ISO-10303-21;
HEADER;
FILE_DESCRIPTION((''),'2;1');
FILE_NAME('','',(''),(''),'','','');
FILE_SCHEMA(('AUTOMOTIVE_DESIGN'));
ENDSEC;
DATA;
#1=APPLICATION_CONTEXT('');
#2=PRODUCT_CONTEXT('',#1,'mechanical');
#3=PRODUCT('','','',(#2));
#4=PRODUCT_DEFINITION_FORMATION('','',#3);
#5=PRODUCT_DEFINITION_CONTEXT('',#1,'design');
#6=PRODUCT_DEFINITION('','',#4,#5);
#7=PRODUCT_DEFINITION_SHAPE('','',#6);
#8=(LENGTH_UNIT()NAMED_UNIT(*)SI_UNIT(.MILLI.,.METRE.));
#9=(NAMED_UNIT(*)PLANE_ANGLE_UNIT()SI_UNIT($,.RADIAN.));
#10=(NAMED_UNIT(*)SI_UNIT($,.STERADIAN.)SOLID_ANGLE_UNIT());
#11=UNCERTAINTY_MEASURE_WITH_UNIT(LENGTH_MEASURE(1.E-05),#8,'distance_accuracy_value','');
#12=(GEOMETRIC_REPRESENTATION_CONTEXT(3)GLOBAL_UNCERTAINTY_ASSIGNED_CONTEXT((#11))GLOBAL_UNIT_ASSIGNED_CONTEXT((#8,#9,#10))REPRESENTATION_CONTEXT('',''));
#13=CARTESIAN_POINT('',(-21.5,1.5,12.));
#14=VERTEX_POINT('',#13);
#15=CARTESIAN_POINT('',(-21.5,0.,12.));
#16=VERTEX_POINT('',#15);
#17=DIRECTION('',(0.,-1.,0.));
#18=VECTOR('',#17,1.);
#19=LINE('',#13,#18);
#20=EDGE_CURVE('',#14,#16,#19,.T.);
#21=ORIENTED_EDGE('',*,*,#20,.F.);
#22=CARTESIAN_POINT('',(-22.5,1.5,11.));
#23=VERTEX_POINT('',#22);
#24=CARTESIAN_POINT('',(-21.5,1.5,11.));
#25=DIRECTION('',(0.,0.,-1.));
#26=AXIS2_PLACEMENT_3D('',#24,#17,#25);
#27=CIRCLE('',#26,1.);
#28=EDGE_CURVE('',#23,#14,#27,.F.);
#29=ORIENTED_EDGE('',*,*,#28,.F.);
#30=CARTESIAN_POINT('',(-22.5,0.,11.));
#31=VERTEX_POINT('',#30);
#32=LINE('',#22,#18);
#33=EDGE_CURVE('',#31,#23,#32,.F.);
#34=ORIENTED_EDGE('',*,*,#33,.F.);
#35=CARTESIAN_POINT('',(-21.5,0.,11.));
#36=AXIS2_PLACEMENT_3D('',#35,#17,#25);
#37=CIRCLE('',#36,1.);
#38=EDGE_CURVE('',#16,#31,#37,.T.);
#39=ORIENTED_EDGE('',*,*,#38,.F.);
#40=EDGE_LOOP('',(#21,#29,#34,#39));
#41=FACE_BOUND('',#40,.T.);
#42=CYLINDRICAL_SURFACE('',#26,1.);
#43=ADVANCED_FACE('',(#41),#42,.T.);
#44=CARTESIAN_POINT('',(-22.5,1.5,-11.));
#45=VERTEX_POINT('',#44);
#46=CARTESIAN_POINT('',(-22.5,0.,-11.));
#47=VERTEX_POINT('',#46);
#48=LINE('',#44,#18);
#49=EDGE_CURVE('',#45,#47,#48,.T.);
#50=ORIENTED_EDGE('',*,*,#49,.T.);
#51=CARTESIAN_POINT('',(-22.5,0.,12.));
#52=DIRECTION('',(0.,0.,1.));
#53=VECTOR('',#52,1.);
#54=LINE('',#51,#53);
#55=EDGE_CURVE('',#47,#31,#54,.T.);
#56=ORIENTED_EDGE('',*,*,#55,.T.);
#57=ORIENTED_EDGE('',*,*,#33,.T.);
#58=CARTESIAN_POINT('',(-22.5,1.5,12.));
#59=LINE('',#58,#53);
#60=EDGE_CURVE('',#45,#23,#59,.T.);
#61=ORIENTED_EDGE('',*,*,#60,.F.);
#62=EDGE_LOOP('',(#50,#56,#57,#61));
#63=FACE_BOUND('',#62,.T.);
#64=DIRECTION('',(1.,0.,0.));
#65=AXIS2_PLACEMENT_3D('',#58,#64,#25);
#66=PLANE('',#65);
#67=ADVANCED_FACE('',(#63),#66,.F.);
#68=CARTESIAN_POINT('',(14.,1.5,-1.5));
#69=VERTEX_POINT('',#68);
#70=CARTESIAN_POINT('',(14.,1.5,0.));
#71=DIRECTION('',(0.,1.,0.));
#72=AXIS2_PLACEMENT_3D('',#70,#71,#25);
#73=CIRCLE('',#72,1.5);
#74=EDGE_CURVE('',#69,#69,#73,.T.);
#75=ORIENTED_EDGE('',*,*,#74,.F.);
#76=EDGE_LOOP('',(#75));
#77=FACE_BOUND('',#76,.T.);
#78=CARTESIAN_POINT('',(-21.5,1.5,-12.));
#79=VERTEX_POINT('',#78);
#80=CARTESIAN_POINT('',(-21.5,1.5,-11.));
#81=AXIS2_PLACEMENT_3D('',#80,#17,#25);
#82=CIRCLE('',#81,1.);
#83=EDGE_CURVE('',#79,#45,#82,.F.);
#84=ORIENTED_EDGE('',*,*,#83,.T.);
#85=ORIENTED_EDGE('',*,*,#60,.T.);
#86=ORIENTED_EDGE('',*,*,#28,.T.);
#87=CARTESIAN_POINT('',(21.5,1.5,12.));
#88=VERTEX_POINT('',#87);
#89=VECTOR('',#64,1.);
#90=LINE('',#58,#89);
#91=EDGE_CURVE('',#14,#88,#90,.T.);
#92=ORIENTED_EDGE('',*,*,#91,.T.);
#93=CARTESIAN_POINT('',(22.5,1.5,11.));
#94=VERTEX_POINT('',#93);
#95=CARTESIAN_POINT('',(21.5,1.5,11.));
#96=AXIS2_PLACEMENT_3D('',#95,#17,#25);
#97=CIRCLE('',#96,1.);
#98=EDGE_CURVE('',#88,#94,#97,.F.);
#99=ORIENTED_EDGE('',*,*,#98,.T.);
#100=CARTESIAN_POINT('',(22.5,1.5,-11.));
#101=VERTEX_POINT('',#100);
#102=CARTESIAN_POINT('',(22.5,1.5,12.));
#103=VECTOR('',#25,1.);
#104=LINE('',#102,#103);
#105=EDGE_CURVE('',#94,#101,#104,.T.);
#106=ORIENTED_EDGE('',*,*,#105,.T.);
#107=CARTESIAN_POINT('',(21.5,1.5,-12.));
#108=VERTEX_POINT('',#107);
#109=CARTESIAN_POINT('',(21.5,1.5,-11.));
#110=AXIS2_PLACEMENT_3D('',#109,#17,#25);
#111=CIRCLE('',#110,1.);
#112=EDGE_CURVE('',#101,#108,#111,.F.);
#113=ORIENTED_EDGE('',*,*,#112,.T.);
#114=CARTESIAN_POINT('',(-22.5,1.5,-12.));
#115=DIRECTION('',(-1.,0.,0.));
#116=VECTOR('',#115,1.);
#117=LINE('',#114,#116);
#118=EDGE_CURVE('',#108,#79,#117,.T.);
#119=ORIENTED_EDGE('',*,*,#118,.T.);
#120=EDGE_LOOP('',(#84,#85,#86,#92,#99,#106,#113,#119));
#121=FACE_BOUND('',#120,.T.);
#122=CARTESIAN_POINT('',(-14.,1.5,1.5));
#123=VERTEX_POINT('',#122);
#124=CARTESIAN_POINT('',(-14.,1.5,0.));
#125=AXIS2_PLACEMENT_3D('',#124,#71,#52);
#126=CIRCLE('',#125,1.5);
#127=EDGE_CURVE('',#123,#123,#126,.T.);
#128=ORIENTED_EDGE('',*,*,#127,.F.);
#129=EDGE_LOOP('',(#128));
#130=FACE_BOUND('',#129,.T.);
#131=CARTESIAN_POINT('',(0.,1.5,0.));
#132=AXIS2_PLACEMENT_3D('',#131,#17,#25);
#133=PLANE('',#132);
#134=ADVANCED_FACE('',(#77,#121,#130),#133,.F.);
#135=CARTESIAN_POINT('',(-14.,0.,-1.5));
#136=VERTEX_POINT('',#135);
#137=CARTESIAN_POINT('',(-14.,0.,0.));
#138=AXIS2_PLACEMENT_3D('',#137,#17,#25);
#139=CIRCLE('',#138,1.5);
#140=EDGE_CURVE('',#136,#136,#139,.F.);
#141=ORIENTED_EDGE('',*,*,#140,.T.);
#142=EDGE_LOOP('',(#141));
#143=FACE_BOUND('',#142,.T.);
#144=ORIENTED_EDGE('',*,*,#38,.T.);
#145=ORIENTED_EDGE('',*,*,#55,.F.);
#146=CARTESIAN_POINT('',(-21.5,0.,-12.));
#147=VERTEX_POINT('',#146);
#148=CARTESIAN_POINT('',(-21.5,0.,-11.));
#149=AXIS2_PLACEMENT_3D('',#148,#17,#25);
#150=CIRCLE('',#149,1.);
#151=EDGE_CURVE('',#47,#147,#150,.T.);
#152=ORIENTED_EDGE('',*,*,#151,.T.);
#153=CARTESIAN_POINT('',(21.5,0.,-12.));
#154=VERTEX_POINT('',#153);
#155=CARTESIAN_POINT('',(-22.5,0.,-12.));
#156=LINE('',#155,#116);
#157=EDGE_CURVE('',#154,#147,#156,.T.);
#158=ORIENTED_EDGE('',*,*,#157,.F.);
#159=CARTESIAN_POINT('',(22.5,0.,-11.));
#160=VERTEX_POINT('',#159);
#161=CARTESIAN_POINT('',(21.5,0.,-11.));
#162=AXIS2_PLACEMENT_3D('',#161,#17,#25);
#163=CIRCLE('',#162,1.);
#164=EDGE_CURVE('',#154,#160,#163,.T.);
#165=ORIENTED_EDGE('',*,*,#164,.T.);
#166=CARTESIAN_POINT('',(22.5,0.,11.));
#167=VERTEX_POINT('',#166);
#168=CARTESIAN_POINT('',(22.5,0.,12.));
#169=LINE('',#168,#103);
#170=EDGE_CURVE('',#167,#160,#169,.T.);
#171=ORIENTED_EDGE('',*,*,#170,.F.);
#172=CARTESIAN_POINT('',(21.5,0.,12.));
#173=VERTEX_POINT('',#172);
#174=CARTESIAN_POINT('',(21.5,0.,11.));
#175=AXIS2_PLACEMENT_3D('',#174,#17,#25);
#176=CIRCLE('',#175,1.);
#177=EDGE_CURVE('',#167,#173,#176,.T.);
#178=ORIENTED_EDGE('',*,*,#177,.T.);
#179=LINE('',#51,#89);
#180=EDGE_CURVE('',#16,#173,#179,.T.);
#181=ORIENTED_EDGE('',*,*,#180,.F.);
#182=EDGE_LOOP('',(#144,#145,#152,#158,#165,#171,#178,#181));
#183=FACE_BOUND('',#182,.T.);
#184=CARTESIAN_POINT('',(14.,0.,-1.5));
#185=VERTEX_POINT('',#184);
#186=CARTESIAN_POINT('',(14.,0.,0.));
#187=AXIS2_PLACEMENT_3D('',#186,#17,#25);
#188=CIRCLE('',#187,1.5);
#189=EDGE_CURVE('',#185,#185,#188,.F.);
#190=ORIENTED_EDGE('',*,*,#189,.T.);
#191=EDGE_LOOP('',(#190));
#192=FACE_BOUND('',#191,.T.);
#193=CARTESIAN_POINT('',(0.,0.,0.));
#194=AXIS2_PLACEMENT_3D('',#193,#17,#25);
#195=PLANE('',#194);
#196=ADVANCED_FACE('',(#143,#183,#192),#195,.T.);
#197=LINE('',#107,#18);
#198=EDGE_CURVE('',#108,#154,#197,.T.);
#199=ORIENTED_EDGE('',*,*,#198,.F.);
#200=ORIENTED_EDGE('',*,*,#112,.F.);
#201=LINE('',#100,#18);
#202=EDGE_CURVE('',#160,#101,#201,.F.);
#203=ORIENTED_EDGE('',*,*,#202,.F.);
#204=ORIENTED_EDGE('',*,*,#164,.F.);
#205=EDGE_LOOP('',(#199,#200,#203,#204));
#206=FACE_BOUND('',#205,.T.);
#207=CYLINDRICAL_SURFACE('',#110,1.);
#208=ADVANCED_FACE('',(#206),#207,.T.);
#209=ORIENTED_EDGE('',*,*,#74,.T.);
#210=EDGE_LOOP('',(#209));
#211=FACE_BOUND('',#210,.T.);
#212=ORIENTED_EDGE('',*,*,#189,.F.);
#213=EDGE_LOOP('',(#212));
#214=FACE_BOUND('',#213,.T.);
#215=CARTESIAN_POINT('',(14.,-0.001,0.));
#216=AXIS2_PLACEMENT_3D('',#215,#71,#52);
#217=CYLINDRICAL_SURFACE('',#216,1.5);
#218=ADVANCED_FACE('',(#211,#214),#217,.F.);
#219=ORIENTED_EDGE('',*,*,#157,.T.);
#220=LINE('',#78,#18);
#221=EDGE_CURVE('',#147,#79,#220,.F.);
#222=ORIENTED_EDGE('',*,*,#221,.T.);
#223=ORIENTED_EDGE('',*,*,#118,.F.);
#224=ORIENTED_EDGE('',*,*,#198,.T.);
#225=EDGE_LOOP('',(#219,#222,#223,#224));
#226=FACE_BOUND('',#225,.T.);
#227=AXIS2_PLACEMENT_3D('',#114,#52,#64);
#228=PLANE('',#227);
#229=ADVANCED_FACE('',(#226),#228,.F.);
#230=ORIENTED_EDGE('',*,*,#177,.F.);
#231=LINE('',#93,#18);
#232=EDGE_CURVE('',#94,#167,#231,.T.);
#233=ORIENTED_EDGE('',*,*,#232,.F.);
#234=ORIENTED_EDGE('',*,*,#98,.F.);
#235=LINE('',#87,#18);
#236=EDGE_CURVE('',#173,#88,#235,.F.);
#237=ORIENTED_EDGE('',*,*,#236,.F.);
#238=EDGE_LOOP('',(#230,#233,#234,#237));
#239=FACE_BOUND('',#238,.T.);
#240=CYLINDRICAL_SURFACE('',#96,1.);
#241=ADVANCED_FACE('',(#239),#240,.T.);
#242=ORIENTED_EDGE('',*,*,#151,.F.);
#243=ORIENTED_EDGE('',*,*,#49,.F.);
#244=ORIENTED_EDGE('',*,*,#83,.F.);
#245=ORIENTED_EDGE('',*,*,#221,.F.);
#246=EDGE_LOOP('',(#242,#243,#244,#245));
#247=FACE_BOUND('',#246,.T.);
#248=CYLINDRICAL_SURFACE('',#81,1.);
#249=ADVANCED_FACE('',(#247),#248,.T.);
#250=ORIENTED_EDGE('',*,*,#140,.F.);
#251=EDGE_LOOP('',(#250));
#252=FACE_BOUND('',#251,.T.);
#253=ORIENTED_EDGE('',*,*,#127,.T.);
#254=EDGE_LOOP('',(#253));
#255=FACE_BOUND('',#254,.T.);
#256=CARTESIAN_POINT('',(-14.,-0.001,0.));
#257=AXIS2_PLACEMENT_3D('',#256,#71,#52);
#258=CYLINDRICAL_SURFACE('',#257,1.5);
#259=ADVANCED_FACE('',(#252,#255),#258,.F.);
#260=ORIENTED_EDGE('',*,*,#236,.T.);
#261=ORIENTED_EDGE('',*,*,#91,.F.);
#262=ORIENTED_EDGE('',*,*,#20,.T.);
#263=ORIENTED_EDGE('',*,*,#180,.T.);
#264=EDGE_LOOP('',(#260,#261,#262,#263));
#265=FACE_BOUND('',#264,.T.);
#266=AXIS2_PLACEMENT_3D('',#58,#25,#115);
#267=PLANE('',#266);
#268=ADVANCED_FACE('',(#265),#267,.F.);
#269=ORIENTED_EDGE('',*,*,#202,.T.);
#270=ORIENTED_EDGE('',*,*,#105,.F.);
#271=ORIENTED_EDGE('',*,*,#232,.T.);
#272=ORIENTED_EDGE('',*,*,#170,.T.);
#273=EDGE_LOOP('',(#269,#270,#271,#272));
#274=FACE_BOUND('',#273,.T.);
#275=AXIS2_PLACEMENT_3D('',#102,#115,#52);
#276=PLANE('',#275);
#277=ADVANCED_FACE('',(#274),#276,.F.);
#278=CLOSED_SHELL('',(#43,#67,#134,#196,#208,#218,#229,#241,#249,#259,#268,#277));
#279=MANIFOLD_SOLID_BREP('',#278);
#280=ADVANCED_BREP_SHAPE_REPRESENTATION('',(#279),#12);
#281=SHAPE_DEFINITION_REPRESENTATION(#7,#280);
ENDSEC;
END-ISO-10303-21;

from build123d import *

# Parameters (mm, degrees)
SKETCH1_W           = 45
SKETCH1_H           = 24
BOSS_EXTRUDE1_DEPTH = 1.5
FILLET1_R           = 1
CUT_EXTRUDE1_REACH  = 27.544
SKETCH2_R           = 1.5


with BuildPart() as part:
    # Sketch1 → Boss-Extrude1 (new body)
    with BuildSketch(Plane(origin=(0, 0, 0), x_dir=(1, 0, 0), z_dir=(0, 1, 0))):
        Rectangle(SKETCH1_W, SKETCH1_H)
    extrude(amount=BOSS_EXTRUDE1_DEPTH)

    # Fillet1
    fillet1_edges = [part.edges().sort_by_distance(p)[0] for p in [
        (22.5, 0.75, 12),
        (-22.5, 0.75, 12),
        (-22.5, 0.75, -12),
        (22.5, 0.75, -12),
    ]]
    fillet(fillet1_edges, radius=FILLET1_R)

    # Sketch2 → Cut-Extrude1 (cut, up to next)
    with BuildSketch(Plane(origin=(0, 1.5, 0), x_dir=(1, 0, 0), z_dir=(0, 1, 0)), mode=Mode.PRIVATE) as cut_extrude1_sk1:
        with Locations(Location((-14, 0, 0), (0, 0, 270))):
            Circle(SKETCH2_R)
    cut_extrude1_tool1 = extrude(cut_extrude1_sk1.sketch, amount=-CUT_EXTRUDE1_REACH, mode=Mode.PRIVATE) & part.part
    # Sketch2 → Cut-Extrude1 (cut, up to next)
    with BuildSketch(Plane(origin=(0, 1.5, 0), x_dir=(1, 0, 0), z_dir=(0, 1, 0)), mode=Mode.PRIVATE) as cut_extrude1_sk2:
        with Locations(Location((14, 0, 0), (0, 0, 90))):
            Circle(SKETCH2_R)
    cut_extrude1_tool2 = extrude(cut_extrude1_sk2.sketch, amount=-CUT_EXTRUDE1_REACH, mode=Mode.PRIVATE) & part.part
    add(cut_extrude1_tool1.solids().sort_by_distance((-14, 1.5, 0))[0], mode=Mode.SUBTRACT)
    add(cut_extrude1_tool2.solids().sort_by_distance((14, 1.5, 0))[0], mode=Mode.SUBTRACT)


solid = part.part
